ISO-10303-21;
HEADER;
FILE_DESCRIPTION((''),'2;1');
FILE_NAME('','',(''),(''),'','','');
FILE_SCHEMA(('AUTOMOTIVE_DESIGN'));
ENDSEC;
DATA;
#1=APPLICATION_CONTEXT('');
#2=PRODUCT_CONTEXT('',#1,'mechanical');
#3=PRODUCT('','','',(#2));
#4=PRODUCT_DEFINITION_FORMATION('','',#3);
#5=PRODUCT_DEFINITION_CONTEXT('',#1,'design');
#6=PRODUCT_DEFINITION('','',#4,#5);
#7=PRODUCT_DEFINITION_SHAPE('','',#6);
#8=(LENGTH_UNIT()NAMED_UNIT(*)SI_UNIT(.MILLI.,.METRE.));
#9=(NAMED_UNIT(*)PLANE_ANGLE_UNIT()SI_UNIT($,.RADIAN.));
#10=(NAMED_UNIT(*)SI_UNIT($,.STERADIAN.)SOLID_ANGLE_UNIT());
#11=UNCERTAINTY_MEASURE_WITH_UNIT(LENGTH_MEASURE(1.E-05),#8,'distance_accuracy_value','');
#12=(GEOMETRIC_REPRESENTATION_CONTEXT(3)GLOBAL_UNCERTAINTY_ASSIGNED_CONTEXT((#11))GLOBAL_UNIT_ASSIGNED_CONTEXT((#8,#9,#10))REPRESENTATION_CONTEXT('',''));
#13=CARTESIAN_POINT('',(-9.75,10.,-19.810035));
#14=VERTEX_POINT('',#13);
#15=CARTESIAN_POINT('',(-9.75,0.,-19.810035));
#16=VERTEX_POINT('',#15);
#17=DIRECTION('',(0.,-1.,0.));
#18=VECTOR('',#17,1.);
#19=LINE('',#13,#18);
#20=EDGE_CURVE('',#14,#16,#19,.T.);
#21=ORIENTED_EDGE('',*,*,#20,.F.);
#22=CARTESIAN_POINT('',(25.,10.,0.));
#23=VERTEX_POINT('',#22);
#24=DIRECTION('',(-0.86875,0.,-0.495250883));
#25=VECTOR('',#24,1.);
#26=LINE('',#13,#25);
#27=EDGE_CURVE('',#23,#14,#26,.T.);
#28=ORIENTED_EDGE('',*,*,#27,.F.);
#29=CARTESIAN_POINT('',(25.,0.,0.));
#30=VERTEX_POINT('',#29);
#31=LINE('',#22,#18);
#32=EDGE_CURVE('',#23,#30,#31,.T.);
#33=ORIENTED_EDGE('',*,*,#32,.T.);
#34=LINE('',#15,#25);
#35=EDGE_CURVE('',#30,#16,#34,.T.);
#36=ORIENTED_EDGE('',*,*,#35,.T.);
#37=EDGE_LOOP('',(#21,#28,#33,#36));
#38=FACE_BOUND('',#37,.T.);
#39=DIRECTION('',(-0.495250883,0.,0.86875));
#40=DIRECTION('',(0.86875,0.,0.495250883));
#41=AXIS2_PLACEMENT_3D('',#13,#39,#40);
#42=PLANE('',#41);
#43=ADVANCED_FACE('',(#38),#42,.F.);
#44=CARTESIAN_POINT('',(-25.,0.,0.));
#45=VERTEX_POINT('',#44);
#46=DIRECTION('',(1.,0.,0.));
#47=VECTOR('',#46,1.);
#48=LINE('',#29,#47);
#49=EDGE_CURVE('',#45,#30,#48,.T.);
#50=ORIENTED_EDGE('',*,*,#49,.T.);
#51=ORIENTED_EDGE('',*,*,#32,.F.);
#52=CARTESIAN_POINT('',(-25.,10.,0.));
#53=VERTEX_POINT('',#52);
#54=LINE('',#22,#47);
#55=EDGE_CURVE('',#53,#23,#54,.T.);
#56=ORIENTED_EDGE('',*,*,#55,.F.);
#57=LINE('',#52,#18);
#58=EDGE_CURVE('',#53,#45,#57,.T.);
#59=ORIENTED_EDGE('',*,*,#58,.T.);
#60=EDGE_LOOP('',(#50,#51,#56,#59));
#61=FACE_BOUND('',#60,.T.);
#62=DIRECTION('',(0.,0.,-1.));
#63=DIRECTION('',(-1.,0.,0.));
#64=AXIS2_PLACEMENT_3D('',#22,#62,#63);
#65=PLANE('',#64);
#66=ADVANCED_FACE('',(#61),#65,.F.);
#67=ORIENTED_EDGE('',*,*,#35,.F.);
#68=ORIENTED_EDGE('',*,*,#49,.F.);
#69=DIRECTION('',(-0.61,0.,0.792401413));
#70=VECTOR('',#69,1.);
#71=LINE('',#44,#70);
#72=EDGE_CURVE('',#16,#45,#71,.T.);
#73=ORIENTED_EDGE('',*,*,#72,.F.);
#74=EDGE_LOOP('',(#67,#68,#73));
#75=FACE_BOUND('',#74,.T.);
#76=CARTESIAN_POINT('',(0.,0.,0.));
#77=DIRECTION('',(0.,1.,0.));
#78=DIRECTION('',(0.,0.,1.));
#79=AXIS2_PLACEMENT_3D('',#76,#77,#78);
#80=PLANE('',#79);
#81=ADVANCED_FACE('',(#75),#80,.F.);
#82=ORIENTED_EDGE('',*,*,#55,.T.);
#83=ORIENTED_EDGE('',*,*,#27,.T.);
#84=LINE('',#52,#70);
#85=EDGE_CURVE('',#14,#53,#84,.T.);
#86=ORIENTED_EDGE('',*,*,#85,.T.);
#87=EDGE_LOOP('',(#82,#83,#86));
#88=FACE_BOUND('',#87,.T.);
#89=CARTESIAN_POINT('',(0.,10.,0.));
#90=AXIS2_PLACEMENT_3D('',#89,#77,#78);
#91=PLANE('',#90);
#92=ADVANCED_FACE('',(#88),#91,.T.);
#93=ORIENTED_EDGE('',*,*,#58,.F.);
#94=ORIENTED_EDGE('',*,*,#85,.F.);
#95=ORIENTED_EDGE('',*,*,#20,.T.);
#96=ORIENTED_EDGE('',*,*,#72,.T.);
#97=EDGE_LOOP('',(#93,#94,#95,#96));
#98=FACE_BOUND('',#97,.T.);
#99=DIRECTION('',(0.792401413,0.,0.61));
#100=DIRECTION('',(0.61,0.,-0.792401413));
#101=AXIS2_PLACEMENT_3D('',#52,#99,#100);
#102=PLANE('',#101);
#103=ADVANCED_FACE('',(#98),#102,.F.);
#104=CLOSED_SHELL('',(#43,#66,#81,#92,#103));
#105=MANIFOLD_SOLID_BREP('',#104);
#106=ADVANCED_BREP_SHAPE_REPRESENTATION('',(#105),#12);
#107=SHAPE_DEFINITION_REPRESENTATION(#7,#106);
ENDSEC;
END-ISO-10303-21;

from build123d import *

# Parameters (mm, degrees)
BOSS_EXTRUDE1_DEPTH = 10


with BuildPart() as part:
    # Sketch1 → Boss-Extrude1 (new body)
    with BuildSketch(Plane(origin=(0, 0, 0), x_dir=(1, 0, 0), z_dir=(0, 1, 0))):
        Polygon((25, 0), (-25, 0), (-9.75, 19.810035336), align=None)
    extrude(amount=BOSS_EXTRUDE1_DEPTH)


solid = part.part
